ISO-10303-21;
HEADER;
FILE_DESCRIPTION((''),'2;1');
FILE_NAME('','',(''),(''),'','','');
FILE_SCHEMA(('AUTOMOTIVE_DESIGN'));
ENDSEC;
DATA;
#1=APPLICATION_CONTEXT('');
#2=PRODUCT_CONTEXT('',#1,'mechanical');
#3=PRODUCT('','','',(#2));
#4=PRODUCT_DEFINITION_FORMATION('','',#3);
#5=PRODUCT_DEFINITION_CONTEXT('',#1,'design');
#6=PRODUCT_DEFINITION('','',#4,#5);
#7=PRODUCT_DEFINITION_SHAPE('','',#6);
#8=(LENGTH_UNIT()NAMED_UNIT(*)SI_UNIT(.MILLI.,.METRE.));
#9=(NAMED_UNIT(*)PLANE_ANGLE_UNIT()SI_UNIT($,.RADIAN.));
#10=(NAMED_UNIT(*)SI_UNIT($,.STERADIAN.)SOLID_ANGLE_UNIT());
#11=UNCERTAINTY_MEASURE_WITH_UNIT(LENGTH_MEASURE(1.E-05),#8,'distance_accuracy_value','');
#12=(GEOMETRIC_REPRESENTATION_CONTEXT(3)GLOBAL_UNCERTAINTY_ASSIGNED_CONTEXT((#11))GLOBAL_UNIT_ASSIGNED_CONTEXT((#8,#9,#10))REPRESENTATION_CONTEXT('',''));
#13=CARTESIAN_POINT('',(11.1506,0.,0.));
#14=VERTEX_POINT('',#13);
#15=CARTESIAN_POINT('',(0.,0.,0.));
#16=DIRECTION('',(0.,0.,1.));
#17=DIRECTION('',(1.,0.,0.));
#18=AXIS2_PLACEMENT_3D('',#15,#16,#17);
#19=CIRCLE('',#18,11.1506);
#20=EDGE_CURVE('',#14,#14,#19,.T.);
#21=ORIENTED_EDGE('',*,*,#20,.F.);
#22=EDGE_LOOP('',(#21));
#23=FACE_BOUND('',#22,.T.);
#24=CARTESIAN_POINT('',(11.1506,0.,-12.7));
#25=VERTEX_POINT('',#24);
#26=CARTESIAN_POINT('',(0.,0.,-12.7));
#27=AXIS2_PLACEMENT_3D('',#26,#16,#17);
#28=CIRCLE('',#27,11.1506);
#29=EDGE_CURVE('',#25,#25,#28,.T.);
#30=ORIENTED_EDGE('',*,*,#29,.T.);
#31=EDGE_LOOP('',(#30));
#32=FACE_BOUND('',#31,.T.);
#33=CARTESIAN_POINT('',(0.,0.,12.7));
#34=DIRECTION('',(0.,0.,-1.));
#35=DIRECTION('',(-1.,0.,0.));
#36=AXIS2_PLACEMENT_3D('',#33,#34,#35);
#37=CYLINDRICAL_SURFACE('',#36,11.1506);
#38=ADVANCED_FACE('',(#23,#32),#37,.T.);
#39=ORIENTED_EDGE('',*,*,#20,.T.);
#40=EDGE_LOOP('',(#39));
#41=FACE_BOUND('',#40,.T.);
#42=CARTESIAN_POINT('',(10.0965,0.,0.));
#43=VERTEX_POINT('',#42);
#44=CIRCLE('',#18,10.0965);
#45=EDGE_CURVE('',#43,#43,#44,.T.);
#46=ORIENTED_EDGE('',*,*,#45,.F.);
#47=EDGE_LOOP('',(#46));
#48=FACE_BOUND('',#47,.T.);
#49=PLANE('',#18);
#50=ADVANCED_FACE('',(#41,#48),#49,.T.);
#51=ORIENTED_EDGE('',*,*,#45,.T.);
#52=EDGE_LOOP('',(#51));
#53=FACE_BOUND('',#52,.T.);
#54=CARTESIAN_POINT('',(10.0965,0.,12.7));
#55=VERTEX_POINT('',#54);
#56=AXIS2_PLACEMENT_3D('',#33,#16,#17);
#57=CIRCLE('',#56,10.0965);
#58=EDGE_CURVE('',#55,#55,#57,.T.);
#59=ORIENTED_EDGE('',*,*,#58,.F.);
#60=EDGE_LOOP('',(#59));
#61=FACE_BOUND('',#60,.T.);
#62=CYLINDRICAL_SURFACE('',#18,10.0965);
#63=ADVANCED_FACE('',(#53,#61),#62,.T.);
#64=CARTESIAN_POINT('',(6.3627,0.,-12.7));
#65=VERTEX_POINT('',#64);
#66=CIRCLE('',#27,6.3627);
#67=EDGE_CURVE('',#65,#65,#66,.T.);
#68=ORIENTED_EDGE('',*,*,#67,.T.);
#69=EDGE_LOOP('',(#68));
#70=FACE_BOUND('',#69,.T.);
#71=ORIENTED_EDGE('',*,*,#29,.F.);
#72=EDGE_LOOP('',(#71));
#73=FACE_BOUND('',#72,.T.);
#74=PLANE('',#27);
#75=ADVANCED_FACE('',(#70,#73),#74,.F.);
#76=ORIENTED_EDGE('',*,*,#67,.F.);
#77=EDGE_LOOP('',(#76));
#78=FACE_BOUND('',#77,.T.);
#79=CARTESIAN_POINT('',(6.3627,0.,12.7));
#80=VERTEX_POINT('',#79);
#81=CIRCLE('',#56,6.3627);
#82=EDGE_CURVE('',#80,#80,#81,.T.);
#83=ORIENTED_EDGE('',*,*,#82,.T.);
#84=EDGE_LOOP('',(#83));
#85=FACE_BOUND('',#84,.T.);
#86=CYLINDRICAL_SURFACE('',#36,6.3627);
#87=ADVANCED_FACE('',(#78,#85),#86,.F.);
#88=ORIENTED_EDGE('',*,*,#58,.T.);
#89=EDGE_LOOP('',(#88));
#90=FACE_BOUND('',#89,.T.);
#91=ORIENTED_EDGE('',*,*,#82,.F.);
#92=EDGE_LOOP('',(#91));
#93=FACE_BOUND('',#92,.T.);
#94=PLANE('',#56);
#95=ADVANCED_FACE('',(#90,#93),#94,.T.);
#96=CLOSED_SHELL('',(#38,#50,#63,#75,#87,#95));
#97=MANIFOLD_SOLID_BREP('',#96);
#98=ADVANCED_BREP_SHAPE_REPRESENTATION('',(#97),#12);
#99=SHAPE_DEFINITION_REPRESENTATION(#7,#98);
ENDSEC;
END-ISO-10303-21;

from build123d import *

# Parameters (mm, degrees)
SKETCH1_R          = 11.1506
SKETCH1_R_2        = 6.3627
EXTRUDE1_DEPTH     = 12.7
SKETCH5_R          = 11.1506
SKETCH5_R_2        = 10.0965
CUT_EXTRUDE1_DEPTH = 12.7


with BuildPart() as part:
    # Sketch1 → Extrude1 (new, symmetric)
    with BuildSketch(Plane.XY):
        Circle(SKETCH1_R)
        Circle(SKETCH1_R_2, mode=Mode.SUBTRACT)
    extrude(amount=EXTRUDE1_DEPTH, both=True)

    # Sketch5 → Cut-Extrude1 (cut)
    with BuildSketch(Plane.XY.offset(12.7)):
        Circle(SKETCH5_R)
        Circle(SKETCH5_R_2, mode=Mode.SUBTRACT)
    extrude(amount=-CUT_EXTRUDE1_DEPTH, mode=Mode.SUBTRACT)


solid = part.part
